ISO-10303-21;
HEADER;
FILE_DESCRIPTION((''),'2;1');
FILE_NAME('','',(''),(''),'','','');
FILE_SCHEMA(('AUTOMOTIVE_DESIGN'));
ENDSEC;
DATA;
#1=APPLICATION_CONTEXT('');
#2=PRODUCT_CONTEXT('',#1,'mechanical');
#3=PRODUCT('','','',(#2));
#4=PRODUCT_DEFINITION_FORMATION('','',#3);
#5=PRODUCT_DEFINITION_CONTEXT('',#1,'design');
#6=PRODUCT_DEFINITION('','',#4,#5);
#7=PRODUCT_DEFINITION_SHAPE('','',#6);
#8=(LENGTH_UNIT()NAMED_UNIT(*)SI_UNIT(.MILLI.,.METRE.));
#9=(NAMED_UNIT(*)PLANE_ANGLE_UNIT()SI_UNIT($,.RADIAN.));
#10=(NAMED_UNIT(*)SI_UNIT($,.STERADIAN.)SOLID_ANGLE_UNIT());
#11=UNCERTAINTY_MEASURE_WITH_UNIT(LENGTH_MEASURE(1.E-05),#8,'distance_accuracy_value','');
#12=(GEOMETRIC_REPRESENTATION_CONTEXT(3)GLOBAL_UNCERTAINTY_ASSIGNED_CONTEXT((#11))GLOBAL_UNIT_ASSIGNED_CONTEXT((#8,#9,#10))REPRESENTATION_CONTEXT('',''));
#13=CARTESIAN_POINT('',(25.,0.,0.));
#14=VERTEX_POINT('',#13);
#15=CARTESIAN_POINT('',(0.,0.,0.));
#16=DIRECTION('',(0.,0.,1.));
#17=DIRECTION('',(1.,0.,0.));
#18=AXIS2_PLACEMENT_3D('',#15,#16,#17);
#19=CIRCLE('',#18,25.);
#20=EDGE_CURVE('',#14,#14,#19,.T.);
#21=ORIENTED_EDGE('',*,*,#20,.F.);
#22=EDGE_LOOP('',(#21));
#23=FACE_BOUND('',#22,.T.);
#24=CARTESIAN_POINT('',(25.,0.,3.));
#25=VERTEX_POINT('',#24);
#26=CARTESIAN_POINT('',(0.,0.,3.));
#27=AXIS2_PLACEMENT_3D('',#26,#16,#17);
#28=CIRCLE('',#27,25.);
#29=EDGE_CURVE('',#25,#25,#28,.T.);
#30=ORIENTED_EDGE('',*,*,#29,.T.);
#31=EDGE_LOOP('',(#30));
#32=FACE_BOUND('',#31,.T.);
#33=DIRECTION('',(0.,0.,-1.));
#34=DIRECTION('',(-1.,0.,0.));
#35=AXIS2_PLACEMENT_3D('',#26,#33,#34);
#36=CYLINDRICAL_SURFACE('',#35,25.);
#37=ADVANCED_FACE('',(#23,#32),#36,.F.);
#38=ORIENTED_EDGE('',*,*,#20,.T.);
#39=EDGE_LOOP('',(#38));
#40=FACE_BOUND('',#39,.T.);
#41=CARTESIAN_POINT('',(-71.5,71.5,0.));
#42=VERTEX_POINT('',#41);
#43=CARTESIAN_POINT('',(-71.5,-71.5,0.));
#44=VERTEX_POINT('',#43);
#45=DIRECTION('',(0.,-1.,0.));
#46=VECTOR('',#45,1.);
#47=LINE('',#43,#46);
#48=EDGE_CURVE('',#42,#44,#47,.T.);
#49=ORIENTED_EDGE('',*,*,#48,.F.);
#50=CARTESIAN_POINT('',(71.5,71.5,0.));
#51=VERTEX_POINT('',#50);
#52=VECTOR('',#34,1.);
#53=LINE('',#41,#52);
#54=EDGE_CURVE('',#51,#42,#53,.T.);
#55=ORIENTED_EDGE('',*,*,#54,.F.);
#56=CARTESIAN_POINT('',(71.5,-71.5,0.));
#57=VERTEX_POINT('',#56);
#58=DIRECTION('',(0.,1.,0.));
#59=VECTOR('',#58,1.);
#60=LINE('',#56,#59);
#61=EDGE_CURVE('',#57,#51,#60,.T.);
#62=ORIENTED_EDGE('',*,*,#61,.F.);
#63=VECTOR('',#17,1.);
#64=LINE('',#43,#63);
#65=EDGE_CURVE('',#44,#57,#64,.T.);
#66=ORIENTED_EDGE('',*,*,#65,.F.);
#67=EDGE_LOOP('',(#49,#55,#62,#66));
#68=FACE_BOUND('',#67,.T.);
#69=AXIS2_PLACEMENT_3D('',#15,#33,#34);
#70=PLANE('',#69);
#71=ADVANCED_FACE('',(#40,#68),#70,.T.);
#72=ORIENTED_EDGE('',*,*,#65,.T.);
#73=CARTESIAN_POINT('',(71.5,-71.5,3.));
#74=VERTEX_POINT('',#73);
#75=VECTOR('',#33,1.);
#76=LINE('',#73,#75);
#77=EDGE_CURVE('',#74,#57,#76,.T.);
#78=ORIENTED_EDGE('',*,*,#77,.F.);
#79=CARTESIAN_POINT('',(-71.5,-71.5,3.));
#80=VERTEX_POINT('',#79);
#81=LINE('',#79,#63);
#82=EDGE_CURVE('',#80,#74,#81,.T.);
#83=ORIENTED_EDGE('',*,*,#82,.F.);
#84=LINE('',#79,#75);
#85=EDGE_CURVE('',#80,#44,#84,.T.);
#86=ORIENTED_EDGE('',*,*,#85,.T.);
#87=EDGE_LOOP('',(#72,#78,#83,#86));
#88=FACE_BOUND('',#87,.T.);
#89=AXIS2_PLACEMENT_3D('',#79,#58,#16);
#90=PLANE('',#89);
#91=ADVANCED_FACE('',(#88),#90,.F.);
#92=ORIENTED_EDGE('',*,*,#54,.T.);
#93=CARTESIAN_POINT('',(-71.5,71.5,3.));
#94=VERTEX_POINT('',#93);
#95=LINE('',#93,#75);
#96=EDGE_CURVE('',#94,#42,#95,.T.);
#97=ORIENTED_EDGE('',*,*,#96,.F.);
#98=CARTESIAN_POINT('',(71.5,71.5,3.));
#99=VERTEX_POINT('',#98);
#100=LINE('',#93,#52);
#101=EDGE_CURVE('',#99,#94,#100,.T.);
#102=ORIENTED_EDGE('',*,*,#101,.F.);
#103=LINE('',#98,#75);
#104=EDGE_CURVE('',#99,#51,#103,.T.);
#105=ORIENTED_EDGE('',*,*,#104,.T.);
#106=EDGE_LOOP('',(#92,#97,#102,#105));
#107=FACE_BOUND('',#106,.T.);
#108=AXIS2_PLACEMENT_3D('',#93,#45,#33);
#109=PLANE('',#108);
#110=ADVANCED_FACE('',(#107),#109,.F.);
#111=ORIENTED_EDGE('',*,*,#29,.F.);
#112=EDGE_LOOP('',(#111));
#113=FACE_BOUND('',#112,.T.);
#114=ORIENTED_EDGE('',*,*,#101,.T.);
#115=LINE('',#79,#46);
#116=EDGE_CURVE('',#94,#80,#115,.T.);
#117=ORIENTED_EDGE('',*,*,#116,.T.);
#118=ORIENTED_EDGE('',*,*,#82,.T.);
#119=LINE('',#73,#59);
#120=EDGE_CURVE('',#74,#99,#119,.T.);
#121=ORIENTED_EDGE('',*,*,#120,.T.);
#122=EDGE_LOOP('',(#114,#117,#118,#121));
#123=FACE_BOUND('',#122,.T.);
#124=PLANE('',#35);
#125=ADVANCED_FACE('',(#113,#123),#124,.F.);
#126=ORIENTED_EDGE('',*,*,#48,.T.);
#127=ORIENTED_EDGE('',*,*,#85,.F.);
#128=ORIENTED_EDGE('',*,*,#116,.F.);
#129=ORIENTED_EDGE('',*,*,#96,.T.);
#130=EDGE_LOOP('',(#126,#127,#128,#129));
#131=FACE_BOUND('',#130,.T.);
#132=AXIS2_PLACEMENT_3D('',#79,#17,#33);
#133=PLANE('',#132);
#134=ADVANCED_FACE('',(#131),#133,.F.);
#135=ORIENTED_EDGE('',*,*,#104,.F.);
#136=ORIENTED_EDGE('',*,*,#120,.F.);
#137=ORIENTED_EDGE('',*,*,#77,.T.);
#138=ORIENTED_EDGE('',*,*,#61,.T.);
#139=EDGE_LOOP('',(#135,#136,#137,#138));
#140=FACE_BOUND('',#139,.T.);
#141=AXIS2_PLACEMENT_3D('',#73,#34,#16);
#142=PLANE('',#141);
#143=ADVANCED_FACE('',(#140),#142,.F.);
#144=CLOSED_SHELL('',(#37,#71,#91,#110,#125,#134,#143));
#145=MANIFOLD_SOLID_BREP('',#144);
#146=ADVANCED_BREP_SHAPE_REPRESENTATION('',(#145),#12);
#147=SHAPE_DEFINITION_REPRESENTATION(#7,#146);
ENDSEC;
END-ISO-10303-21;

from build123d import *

# Parameters (mm, degrees)
SKETCH1_W           = 143
SKETCH1_H           = 143
SKETCH1_R           = 25
BOSS_EXTRUDE1_DEPTH = 3


with BuildPart() as part:
    # Sketch1 → Boss-Extrude1 (new body)
    with BuildSketch(Plane.XY):
        Rectangle(SKETCH1_W, SKETCH1_H)
        Circle(SKETCH1_R, mode=Mode.SUBTRACT)
    extrude(amount=BOSS_EXTRUDE1_DEPTH)


solid = part.part
